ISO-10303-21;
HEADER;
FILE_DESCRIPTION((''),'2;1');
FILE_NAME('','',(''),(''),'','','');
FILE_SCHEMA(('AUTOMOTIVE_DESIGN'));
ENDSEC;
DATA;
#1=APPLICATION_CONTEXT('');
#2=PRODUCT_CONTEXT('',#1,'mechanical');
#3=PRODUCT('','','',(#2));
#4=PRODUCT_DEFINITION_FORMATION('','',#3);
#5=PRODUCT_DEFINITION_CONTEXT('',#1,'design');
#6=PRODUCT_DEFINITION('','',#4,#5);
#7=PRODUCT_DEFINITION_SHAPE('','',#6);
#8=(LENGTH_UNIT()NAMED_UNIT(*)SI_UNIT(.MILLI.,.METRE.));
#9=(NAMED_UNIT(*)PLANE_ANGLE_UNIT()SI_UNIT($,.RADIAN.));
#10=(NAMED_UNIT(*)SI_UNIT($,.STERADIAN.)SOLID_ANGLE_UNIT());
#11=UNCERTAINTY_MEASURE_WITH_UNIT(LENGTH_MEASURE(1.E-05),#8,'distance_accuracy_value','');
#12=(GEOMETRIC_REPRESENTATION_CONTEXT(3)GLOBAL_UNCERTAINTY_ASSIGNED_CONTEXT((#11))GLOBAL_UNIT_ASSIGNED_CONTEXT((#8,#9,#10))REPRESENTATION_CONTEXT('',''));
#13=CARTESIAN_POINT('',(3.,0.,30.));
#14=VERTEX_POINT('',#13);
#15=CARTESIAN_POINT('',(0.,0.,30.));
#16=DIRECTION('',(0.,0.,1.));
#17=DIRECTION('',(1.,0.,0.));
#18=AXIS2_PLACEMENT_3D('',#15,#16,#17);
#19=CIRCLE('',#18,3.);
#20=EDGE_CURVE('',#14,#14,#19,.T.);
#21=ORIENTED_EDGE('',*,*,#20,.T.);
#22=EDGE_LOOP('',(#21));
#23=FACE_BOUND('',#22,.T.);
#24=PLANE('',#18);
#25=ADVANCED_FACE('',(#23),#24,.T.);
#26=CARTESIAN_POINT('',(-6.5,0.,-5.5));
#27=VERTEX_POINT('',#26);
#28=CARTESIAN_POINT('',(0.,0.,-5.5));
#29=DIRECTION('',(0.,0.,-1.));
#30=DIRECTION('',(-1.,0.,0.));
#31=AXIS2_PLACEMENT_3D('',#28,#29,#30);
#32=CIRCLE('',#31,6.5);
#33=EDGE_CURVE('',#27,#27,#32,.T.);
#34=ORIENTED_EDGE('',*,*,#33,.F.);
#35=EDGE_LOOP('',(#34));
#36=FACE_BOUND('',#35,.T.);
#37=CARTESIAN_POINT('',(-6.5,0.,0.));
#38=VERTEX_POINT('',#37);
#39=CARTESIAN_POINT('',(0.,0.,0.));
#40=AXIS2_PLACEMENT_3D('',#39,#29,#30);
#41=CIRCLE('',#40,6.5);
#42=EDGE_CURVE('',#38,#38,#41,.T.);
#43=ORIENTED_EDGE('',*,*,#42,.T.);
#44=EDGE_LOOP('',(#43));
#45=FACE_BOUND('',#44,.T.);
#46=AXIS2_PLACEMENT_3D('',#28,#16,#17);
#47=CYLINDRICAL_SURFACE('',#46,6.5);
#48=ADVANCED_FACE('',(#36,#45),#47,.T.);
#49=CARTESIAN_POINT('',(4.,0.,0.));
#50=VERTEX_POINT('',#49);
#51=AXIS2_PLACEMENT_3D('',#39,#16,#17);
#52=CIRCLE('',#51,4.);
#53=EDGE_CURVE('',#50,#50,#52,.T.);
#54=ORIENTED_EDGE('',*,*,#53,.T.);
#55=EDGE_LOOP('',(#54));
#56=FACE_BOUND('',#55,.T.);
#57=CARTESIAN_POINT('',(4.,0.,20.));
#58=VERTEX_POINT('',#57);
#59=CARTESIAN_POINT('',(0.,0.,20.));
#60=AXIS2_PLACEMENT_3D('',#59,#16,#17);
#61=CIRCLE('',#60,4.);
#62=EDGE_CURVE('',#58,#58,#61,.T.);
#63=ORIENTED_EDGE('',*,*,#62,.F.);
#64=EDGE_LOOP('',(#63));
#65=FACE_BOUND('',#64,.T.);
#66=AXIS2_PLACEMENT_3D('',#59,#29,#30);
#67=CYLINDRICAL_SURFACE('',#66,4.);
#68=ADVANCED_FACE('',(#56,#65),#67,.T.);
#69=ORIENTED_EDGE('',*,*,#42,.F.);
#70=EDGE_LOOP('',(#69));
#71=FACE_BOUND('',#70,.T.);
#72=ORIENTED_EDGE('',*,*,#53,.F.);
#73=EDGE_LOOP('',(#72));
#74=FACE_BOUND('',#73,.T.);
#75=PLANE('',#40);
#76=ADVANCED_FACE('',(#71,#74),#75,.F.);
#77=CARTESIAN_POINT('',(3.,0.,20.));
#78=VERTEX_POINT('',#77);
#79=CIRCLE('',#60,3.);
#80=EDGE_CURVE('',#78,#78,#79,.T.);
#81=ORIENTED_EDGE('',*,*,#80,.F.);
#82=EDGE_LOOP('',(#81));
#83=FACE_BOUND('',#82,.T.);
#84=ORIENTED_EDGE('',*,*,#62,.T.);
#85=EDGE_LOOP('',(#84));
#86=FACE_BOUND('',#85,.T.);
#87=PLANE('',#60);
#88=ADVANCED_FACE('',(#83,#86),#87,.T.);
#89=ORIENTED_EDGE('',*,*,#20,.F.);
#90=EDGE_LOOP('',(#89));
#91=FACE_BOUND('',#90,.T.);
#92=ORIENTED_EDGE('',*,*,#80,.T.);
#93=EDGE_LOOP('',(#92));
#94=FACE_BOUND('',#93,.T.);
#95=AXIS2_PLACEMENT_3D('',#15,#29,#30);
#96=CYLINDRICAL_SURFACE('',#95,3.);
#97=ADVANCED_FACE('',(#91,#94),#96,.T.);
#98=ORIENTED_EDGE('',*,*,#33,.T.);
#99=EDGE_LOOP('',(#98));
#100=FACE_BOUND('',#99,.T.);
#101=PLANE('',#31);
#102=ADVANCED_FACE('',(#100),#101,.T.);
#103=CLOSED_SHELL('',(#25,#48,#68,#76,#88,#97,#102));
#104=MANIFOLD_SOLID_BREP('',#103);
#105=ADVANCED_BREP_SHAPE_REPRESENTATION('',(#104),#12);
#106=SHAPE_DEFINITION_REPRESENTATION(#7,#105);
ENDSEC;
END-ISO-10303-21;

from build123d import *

# Parameters (mm, degrees)
SZKIC1_R                    = 4
DODANIE_WYCI_GNI_CIE1_DEPTH = 20
SZKIC2_R                    = 6.5
DODANIE_WYCI_GNI_CIE2_DEPTH = 5.5
SZKIC3_R                    = 3
DODANIE_WYCI_GNI_CIE3_DEPTH = 10


with BuildPart() as part:
    # Szkic1 → Dodanie-wyciągnięcie1 (new body)
    with BuildSketch(Plane.XY):
        Circle(SZKIC1_R)
    extrude(amount=DODANIE_WYCI_GNI_CIE1_DEPTH)

    # Szkic2 → Dodanie-wyciągnięcie2 (add)
    with BuildSketch(Plane(origin=(0, 0, 0), x_dir=(-1, 0, 0), z_dir=(0, 0, -1))):
        Circle(SZKIC2_R)
    extrude(amount=DODANIE_WYCI_GNI_CIE2_DEPTH)

    # Szkic3 → Dodanie-wyciągnięcie3 (add)
    with BuildSketch(Plane.XY.offset(20)):
        Circle(SZKIC3_R)
    extrude(amount=DODANIE_WYCI_GNI_CIE3_DEPTH)


solid = part.part
